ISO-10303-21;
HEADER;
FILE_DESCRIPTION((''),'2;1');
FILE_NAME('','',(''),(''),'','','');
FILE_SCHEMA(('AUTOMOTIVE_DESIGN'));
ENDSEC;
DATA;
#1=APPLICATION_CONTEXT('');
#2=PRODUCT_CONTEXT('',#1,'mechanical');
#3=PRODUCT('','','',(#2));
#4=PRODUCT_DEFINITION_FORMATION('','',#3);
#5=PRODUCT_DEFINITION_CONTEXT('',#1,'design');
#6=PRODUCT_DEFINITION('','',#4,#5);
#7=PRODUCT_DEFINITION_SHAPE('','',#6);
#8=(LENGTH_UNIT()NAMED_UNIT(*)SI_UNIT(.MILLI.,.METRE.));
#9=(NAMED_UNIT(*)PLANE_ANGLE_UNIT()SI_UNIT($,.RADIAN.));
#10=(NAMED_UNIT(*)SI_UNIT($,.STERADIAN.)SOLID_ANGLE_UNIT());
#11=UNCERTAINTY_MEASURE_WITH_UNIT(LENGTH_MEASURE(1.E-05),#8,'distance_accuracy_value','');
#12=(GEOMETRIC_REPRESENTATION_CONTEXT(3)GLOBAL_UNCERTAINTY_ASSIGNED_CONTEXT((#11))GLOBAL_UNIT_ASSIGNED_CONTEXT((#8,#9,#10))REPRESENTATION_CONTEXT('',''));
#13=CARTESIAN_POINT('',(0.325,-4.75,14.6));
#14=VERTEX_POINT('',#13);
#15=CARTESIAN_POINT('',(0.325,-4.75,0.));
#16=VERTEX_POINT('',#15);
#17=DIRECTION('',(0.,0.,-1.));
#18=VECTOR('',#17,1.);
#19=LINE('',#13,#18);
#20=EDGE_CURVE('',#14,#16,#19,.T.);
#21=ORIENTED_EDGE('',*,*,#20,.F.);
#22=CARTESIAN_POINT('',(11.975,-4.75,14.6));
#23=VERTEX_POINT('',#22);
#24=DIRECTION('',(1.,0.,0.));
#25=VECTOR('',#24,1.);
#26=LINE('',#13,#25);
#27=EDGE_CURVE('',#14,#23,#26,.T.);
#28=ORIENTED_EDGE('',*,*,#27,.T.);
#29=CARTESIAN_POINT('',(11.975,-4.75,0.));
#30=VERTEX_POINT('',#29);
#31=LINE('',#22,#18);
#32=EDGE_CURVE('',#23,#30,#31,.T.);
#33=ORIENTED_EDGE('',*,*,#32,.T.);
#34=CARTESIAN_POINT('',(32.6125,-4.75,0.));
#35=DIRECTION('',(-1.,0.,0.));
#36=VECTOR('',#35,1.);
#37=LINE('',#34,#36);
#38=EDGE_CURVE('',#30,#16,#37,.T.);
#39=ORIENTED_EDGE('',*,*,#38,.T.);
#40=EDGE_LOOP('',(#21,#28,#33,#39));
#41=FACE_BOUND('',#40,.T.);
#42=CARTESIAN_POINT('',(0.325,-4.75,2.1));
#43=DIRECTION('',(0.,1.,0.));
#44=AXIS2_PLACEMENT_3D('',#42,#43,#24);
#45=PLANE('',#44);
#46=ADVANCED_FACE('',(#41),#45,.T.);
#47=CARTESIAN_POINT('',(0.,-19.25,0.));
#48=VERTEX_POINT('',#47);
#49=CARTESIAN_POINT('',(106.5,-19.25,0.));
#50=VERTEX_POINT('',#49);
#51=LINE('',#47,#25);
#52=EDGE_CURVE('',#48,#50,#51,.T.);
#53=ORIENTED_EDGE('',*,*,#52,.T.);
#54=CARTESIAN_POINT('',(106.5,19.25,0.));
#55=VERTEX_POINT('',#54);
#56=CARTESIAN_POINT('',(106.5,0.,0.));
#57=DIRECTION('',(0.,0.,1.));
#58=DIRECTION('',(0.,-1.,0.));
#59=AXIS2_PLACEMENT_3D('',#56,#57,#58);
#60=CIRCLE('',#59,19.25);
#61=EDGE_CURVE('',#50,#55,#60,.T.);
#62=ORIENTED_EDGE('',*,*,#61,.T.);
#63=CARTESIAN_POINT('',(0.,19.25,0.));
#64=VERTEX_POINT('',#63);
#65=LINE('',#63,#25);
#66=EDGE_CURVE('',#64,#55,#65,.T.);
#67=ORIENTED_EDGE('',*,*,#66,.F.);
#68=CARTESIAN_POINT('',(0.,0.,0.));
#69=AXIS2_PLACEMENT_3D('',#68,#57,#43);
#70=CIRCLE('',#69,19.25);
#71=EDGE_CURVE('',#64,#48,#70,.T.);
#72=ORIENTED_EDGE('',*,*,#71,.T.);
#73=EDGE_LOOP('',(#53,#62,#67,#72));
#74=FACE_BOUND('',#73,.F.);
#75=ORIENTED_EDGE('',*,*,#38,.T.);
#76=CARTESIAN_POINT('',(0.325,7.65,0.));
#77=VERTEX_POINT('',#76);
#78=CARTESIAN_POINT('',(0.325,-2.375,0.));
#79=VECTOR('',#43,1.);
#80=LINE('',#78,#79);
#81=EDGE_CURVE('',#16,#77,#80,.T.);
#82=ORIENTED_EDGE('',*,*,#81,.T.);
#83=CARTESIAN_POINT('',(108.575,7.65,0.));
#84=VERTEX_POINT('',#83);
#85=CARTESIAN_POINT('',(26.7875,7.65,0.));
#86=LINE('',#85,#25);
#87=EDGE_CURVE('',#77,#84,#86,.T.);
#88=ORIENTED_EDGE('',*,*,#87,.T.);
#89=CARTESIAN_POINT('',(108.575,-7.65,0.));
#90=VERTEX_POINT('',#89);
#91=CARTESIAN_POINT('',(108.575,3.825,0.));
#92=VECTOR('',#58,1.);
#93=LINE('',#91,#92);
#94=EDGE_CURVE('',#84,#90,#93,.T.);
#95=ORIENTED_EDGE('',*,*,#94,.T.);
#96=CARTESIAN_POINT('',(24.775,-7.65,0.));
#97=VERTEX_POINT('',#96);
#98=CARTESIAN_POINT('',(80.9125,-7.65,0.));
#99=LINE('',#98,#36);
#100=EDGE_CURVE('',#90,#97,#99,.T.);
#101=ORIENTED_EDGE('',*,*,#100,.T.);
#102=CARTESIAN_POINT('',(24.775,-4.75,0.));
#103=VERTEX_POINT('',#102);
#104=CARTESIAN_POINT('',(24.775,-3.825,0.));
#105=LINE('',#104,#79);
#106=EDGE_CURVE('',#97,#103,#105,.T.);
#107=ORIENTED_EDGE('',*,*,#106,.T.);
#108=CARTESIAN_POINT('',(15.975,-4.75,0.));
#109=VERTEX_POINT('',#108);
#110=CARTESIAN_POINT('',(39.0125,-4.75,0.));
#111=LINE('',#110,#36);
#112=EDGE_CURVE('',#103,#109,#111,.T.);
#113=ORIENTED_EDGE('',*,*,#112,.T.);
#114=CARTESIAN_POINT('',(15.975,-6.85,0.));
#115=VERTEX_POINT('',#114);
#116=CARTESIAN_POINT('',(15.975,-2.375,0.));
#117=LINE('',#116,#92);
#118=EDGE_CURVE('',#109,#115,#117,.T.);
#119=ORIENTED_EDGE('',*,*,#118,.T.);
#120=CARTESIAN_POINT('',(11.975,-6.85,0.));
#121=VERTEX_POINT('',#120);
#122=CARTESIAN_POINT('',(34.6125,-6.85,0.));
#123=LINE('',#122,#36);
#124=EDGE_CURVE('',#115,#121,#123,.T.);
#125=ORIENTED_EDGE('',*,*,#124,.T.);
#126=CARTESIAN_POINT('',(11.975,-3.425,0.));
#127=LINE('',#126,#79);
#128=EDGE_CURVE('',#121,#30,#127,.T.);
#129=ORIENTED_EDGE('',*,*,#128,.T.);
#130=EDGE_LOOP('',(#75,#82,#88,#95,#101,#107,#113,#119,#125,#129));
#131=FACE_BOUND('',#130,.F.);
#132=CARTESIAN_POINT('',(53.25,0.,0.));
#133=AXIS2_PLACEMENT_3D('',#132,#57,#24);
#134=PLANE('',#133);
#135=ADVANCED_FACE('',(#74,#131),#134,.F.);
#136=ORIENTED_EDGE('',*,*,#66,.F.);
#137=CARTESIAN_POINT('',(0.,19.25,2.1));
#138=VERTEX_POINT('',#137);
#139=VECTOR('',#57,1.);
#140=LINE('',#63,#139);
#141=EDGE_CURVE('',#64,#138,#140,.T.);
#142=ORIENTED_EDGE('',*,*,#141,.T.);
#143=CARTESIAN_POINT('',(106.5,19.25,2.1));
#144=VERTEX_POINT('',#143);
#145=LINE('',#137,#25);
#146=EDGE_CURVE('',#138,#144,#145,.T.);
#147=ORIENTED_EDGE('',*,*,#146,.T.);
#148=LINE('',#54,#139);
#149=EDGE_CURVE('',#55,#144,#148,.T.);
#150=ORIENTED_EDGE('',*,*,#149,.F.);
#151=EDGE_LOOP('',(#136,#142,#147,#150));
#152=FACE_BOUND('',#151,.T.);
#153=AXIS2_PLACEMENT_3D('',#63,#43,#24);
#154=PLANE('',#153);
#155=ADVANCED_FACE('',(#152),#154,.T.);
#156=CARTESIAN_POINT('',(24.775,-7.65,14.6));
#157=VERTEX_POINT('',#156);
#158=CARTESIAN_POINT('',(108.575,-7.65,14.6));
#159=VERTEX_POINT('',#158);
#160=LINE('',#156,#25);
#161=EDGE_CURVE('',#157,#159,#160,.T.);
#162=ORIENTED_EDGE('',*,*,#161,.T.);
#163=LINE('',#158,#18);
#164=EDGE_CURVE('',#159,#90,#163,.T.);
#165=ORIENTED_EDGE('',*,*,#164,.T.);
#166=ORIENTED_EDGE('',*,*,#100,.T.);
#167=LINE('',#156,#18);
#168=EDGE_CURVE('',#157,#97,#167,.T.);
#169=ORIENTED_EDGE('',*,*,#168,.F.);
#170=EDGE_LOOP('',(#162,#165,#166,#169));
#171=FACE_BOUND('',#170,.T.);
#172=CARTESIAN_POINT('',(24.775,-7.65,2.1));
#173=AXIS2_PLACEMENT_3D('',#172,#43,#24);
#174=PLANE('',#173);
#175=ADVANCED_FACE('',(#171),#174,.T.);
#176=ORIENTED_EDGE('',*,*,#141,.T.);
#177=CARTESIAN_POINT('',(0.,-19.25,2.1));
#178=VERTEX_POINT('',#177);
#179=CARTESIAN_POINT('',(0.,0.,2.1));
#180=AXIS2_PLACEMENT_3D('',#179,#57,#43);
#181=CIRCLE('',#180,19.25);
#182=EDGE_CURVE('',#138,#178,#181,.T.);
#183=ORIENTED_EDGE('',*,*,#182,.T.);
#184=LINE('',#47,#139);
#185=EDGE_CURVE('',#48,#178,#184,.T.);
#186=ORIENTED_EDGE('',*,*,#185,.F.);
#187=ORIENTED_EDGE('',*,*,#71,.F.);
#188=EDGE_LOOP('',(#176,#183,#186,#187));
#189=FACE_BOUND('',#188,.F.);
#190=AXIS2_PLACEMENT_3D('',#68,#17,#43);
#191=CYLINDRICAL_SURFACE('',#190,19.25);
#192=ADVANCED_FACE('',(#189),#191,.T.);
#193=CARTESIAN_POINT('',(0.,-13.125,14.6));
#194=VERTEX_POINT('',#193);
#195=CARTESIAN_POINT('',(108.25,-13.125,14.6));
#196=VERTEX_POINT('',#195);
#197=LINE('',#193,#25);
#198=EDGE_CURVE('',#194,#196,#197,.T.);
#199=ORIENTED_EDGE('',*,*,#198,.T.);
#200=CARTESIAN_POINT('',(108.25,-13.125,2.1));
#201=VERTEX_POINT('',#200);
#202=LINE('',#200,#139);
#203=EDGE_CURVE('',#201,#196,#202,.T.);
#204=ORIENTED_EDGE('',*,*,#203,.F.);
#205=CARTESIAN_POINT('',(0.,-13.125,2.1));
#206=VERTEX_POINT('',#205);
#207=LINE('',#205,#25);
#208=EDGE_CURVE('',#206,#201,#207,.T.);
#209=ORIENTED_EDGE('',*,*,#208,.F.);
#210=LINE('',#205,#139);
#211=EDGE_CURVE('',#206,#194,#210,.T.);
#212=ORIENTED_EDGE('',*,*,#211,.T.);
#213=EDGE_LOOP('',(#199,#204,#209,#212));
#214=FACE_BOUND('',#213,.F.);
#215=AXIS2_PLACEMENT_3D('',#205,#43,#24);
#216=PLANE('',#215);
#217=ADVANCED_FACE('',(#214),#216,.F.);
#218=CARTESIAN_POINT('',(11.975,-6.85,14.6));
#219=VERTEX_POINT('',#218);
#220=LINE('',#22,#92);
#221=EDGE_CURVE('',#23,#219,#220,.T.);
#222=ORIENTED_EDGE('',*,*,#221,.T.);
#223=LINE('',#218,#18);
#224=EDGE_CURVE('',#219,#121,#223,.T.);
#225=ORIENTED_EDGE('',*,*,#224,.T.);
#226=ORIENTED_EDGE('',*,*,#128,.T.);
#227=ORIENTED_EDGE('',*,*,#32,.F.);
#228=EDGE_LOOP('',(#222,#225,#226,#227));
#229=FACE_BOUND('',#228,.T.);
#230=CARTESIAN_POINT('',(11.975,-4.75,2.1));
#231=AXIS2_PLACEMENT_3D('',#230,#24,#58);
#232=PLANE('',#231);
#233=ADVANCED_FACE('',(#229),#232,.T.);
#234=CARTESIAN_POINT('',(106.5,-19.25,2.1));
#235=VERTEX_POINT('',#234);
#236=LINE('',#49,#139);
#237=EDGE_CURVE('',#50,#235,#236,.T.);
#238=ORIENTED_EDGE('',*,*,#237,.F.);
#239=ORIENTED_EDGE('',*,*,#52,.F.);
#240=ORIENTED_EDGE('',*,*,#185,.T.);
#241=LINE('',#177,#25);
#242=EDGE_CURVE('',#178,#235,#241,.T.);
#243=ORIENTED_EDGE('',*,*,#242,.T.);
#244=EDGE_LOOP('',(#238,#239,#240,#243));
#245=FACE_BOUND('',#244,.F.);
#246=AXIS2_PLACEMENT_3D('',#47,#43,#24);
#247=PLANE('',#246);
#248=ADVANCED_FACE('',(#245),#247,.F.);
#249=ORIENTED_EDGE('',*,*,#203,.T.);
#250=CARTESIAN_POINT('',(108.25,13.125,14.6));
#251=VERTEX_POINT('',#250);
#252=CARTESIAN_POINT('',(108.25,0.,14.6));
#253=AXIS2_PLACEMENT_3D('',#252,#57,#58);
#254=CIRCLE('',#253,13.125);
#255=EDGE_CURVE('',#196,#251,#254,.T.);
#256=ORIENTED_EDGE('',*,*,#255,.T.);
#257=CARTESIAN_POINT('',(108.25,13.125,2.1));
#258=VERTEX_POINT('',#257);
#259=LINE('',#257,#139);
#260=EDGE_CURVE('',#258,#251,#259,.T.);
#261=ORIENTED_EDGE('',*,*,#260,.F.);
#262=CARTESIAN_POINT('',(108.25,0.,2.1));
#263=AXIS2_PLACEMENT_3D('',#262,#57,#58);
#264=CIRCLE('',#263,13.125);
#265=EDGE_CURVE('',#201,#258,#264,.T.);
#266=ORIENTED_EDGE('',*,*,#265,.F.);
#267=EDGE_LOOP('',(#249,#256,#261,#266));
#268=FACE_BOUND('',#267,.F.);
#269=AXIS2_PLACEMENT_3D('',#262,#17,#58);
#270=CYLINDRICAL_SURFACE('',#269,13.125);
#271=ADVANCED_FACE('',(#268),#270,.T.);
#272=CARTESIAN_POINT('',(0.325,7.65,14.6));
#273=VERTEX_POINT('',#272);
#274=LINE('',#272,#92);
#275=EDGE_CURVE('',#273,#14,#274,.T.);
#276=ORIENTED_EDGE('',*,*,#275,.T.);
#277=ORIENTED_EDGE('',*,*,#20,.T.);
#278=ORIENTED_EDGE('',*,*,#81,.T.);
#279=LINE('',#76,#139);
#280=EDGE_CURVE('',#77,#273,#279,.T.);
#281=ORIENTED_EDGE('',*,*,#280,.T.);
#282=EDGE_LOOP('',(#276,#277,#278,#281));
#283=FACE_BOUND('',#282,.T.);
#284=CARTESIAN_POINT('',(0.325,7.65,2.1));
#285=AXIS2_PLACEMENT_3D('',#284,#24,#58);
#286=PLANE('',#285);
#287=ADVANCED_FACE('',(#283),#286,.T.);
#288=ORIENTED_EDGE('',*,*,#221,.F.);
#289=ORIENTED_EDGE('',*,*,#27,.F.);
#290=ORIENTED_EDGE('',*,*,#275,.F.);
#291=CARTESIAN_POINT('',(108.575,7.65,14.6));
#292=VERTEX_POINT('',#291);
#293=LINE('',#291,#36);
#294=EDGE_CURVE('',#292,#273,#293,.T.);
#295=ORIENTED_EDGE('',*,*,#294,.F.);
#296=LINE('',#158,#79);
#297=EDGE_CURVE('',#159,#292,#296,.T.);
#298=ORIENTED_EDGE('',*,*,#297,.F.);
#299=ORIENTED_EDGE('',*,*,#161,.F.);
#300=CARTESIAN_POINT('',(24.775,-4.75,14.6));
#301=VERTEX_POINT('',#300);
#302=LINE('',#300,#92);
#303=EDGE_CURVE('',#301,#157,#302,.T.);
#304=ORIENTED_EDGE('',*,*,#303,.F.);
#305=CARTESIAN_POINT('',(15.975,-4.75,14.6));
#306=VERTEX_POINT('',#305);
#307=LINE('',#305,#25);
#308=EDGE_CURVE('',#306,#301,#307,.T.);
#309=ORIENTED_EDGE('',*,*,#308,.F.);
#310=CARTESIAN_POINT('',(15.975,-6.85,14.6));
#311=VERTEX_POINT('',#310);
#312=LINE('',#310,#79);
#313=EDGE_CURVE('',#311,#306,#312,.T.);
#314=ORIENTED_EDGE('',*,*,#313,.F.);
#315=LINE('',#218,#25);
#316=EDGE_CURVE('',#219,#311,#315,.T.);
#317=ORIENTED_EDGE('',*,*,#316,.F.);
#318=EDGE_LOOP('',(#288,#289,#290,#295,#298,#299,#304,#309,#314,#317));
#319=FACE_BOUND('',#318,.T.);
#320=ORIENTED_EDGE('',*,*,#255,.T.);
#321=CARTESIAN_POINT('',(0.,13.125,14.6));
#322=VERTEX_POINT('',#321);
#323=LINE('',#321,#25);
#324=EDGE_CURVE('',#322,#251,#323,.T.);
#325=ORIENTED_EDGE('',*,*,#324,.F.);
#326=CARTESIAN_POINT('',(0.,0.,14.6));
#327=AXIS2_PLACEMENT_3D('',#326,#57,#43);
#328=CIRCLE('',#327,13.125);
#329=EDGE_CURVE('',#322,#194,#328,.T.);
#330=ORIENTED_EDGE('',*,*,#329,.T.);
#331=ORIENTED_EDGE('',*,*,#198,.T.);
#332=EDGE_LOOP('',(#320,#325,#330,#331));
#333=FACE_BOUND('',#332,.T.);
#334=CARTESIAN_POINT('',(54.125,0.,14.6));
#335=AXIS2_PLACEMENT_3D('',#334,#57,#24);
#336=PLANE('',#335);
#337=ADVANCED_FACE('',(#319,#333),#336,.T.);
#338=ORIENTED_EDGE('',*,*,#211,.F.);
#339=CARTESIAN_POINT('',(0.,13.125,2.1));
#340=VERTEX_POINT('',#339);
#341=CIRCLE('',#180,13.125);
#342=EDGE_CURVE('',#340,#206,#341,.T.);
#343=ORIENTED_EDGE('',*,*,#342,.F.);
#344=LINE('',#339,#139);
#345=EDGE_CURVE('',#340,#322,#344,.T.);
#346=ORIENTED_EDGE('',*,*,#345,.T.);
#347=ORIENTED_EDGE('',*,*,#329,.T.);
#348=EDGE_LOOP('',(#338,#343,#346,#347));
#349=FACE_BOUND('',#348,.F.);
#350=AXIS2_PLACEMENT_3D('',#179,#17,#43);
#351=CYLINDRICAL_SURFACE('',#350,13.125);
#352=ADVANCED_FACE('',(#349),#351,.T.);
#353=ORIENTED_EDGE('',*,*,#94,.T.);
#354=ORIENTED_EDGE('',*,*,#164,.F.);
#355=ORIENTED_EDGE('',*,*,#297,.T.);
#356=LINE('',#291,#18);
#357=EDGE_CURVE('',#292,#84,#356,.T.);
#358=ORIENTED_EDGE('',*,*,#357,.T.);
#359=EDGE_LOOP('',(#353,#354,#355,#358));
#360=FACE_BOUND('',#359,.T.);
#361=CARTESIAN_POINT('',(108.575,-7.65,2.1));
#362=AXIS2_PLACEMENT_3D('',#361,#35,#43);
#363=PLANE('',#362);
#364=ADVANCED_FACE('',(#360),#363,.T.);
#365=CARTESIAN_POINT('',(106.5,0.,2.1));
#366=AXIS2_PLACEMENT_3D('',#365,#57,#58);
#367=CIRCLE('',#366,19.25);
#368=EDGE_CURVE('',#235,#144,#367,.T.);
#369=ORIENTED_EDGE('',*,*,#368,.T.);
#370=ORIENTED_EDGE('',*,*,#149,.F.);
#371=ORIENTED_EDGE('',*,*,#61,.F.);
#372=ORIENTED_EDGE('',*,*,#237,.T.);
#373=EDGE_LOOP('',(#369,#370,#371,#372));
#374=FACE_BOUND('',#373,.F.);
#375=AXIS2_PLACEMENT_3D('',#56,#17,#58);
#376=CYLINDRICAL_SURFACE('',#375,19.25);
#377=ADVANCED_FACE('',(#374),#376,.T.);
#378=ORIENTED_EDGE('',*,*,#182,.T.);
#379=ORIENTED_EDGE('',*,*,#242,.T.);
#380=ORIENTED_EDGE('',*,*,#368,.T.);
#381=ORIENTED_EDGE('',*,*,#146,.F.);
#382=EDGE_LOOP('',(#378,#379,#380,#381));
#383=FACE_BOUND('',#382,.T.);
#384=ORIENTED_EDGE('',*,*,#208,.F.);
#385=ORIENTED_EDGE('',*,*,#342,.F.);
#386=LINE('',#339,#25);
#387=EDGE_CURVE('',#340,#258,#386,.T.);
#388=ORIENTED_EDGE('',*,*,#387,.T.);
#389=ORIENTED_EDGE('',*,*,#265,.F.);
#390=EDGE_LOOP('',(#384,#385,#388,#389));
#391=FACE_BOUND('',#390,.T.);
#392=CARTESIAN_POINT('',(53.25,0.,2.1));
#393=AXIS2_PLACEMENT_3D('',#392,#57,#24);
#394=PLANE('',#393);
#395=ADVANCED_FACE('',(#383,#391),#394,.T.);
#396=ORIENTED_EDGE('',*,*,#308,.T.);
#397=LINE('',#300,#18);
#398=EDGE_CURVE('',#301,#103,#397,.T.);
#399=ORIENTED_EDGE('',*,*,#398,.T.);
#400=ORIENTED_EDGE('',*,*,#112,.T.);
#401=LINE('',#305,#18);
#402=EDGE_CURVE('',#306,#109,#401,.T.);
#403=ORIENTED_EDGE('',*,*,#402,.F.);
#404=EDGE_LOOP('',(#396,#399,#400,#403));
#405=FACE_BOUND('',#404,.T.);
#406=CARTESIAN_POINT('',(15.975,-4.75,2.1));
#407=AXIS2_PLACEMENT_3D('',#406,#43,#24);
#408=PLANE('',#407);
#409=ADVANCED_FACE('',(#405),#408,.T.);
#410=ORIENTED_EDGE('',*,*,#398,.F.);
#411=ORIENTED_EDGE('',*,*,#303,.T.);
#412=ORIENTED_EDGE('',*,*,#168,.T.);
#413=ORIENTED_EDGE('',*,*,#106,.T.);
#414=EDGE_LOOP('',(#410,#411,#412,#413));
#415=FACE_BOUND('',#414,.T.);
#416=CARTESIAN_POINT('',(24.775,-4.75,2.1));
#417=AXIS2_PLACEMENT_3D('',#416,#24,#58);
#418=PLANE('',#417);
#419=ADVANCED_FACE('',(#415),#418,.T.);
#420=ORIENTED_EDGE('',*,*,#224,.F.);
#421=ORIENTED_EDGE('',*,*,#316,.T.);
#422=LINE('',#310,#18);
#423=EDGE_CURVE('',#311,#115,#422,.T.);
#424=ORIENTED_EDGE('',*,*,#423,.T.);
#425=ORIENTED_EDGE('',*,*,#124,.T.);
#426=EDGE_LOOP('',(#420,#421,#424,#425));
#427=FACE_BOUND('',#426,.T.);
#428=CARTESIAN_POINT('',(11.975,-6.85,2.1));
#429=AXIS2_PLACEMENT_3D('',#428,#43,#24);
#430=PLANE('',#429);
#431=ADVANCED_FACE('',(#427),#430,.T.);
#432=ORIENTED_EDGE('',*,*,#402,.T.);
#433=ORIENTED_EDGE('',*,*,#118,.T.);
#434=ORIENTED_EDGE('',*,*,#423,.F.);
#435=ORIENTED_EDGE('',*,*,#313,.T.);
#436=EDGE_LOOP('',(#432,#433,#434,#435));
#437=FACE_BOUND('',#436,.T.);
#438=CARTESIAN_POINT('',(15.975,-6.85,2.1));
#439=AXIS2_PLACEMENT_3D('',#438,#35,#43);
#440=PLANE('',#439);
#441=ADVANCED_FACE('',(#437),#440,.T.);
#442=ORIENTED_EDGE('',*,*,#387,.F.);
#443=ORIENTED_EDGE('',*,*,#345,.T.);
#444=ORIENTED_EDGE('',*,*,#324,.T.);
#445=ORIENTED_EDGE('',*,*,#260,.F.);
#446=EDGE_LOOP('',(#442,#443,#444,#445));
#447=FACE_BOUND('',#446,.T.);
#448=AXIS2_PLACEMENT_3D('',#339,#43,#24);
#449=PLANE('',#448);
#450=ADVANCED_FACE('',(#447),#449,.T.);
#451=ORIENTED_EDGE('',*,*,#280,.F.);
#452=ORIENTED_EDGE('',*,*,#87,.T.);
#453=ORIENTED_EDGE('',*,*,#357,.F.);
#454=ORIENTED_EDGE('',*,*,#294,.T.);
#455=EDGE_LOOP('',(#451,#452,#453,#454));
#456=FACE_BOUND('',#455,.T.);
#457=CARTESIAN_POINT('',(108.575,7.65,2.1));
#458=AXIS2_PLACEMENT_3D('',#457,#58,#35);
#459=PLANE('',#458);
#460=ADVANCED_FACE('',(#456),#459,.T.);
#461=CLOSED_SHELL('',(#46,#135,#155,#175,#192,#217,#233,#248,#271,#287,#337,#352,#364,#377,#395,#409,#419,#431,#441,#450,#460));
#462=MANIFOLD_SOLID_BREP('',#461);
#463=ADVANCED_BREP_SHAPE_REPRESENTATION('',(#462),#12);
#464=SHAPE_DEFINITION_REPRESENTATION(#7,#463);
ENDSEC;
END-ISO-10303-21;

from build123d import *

# Parameters (mm, degrees)
PAD_DEPTH    = 2.1
POCKET_DEPTH = 5
PAD001_DEPTH = 12.5


with BuildPart() as part:
    # Sketch → Pad (new body)
    with BuildSketch(Plane.XY):
        with BuildLine():
            ThreePointArc((0, 19.25), (-19.25, 0), (0, -19.25))
            Line((0, -19.25), (106.5, -19.25))
            ThreePointArc((106.5, -19.25), (125.75, 0), (106.5, 19.25))
            Line((0, 19.25), (106.5, 19.25))
        make_face()
    extrude(amount=PAD_DEPTH)

    # Sketch001 (on Face6 of Pad) → Pocket (cut)
    with BuildSketch(Plane.XY.offset(2.1)):
        Polygon((0.325, 7.65), (108.575, 7.65), (108.575, -7.65), (24.775, -7.65), (24.775, -4.75), (15.975, -4.75), (15.975, -6.85), (11.975, -6.85), (11.975, -4.75), (0.325, -4.75), align=None)
    extrude(amount=-POCKET_DEPTH, mode=Mode.SUBTRACT)

    # Sketch002 (on Face5 of Pocket) → Pad001 (join)
    with BuildSketch(Plane.XY.offset(2.1)):
        with BuildLine():
            ThreePointArc((0, 13.125), (-13.125, 0), (0, -13.125))
            Line((0, -13.125), (108.25, -13.125))
            ThreePointArc((108.25, -13.125), (121.375, 0), (108.25, 13.125))
            Line((0, 13.125), (108.25, 13.125))
        make_face()
        Polygon((0.325, 7.65), (0.325, -4.75), (11.975, -4.75), (11.975, -6.85), (15.975, -6.85), (15.975, -4.75), (24.775, -4.75), (24.775, -7.65), (108.575, -7.65), (108.575, 7.65), align=None, mode=Mode.SUBTRACT)
    extrude(amount=PAD001_DEPTH)


solid = part.part
